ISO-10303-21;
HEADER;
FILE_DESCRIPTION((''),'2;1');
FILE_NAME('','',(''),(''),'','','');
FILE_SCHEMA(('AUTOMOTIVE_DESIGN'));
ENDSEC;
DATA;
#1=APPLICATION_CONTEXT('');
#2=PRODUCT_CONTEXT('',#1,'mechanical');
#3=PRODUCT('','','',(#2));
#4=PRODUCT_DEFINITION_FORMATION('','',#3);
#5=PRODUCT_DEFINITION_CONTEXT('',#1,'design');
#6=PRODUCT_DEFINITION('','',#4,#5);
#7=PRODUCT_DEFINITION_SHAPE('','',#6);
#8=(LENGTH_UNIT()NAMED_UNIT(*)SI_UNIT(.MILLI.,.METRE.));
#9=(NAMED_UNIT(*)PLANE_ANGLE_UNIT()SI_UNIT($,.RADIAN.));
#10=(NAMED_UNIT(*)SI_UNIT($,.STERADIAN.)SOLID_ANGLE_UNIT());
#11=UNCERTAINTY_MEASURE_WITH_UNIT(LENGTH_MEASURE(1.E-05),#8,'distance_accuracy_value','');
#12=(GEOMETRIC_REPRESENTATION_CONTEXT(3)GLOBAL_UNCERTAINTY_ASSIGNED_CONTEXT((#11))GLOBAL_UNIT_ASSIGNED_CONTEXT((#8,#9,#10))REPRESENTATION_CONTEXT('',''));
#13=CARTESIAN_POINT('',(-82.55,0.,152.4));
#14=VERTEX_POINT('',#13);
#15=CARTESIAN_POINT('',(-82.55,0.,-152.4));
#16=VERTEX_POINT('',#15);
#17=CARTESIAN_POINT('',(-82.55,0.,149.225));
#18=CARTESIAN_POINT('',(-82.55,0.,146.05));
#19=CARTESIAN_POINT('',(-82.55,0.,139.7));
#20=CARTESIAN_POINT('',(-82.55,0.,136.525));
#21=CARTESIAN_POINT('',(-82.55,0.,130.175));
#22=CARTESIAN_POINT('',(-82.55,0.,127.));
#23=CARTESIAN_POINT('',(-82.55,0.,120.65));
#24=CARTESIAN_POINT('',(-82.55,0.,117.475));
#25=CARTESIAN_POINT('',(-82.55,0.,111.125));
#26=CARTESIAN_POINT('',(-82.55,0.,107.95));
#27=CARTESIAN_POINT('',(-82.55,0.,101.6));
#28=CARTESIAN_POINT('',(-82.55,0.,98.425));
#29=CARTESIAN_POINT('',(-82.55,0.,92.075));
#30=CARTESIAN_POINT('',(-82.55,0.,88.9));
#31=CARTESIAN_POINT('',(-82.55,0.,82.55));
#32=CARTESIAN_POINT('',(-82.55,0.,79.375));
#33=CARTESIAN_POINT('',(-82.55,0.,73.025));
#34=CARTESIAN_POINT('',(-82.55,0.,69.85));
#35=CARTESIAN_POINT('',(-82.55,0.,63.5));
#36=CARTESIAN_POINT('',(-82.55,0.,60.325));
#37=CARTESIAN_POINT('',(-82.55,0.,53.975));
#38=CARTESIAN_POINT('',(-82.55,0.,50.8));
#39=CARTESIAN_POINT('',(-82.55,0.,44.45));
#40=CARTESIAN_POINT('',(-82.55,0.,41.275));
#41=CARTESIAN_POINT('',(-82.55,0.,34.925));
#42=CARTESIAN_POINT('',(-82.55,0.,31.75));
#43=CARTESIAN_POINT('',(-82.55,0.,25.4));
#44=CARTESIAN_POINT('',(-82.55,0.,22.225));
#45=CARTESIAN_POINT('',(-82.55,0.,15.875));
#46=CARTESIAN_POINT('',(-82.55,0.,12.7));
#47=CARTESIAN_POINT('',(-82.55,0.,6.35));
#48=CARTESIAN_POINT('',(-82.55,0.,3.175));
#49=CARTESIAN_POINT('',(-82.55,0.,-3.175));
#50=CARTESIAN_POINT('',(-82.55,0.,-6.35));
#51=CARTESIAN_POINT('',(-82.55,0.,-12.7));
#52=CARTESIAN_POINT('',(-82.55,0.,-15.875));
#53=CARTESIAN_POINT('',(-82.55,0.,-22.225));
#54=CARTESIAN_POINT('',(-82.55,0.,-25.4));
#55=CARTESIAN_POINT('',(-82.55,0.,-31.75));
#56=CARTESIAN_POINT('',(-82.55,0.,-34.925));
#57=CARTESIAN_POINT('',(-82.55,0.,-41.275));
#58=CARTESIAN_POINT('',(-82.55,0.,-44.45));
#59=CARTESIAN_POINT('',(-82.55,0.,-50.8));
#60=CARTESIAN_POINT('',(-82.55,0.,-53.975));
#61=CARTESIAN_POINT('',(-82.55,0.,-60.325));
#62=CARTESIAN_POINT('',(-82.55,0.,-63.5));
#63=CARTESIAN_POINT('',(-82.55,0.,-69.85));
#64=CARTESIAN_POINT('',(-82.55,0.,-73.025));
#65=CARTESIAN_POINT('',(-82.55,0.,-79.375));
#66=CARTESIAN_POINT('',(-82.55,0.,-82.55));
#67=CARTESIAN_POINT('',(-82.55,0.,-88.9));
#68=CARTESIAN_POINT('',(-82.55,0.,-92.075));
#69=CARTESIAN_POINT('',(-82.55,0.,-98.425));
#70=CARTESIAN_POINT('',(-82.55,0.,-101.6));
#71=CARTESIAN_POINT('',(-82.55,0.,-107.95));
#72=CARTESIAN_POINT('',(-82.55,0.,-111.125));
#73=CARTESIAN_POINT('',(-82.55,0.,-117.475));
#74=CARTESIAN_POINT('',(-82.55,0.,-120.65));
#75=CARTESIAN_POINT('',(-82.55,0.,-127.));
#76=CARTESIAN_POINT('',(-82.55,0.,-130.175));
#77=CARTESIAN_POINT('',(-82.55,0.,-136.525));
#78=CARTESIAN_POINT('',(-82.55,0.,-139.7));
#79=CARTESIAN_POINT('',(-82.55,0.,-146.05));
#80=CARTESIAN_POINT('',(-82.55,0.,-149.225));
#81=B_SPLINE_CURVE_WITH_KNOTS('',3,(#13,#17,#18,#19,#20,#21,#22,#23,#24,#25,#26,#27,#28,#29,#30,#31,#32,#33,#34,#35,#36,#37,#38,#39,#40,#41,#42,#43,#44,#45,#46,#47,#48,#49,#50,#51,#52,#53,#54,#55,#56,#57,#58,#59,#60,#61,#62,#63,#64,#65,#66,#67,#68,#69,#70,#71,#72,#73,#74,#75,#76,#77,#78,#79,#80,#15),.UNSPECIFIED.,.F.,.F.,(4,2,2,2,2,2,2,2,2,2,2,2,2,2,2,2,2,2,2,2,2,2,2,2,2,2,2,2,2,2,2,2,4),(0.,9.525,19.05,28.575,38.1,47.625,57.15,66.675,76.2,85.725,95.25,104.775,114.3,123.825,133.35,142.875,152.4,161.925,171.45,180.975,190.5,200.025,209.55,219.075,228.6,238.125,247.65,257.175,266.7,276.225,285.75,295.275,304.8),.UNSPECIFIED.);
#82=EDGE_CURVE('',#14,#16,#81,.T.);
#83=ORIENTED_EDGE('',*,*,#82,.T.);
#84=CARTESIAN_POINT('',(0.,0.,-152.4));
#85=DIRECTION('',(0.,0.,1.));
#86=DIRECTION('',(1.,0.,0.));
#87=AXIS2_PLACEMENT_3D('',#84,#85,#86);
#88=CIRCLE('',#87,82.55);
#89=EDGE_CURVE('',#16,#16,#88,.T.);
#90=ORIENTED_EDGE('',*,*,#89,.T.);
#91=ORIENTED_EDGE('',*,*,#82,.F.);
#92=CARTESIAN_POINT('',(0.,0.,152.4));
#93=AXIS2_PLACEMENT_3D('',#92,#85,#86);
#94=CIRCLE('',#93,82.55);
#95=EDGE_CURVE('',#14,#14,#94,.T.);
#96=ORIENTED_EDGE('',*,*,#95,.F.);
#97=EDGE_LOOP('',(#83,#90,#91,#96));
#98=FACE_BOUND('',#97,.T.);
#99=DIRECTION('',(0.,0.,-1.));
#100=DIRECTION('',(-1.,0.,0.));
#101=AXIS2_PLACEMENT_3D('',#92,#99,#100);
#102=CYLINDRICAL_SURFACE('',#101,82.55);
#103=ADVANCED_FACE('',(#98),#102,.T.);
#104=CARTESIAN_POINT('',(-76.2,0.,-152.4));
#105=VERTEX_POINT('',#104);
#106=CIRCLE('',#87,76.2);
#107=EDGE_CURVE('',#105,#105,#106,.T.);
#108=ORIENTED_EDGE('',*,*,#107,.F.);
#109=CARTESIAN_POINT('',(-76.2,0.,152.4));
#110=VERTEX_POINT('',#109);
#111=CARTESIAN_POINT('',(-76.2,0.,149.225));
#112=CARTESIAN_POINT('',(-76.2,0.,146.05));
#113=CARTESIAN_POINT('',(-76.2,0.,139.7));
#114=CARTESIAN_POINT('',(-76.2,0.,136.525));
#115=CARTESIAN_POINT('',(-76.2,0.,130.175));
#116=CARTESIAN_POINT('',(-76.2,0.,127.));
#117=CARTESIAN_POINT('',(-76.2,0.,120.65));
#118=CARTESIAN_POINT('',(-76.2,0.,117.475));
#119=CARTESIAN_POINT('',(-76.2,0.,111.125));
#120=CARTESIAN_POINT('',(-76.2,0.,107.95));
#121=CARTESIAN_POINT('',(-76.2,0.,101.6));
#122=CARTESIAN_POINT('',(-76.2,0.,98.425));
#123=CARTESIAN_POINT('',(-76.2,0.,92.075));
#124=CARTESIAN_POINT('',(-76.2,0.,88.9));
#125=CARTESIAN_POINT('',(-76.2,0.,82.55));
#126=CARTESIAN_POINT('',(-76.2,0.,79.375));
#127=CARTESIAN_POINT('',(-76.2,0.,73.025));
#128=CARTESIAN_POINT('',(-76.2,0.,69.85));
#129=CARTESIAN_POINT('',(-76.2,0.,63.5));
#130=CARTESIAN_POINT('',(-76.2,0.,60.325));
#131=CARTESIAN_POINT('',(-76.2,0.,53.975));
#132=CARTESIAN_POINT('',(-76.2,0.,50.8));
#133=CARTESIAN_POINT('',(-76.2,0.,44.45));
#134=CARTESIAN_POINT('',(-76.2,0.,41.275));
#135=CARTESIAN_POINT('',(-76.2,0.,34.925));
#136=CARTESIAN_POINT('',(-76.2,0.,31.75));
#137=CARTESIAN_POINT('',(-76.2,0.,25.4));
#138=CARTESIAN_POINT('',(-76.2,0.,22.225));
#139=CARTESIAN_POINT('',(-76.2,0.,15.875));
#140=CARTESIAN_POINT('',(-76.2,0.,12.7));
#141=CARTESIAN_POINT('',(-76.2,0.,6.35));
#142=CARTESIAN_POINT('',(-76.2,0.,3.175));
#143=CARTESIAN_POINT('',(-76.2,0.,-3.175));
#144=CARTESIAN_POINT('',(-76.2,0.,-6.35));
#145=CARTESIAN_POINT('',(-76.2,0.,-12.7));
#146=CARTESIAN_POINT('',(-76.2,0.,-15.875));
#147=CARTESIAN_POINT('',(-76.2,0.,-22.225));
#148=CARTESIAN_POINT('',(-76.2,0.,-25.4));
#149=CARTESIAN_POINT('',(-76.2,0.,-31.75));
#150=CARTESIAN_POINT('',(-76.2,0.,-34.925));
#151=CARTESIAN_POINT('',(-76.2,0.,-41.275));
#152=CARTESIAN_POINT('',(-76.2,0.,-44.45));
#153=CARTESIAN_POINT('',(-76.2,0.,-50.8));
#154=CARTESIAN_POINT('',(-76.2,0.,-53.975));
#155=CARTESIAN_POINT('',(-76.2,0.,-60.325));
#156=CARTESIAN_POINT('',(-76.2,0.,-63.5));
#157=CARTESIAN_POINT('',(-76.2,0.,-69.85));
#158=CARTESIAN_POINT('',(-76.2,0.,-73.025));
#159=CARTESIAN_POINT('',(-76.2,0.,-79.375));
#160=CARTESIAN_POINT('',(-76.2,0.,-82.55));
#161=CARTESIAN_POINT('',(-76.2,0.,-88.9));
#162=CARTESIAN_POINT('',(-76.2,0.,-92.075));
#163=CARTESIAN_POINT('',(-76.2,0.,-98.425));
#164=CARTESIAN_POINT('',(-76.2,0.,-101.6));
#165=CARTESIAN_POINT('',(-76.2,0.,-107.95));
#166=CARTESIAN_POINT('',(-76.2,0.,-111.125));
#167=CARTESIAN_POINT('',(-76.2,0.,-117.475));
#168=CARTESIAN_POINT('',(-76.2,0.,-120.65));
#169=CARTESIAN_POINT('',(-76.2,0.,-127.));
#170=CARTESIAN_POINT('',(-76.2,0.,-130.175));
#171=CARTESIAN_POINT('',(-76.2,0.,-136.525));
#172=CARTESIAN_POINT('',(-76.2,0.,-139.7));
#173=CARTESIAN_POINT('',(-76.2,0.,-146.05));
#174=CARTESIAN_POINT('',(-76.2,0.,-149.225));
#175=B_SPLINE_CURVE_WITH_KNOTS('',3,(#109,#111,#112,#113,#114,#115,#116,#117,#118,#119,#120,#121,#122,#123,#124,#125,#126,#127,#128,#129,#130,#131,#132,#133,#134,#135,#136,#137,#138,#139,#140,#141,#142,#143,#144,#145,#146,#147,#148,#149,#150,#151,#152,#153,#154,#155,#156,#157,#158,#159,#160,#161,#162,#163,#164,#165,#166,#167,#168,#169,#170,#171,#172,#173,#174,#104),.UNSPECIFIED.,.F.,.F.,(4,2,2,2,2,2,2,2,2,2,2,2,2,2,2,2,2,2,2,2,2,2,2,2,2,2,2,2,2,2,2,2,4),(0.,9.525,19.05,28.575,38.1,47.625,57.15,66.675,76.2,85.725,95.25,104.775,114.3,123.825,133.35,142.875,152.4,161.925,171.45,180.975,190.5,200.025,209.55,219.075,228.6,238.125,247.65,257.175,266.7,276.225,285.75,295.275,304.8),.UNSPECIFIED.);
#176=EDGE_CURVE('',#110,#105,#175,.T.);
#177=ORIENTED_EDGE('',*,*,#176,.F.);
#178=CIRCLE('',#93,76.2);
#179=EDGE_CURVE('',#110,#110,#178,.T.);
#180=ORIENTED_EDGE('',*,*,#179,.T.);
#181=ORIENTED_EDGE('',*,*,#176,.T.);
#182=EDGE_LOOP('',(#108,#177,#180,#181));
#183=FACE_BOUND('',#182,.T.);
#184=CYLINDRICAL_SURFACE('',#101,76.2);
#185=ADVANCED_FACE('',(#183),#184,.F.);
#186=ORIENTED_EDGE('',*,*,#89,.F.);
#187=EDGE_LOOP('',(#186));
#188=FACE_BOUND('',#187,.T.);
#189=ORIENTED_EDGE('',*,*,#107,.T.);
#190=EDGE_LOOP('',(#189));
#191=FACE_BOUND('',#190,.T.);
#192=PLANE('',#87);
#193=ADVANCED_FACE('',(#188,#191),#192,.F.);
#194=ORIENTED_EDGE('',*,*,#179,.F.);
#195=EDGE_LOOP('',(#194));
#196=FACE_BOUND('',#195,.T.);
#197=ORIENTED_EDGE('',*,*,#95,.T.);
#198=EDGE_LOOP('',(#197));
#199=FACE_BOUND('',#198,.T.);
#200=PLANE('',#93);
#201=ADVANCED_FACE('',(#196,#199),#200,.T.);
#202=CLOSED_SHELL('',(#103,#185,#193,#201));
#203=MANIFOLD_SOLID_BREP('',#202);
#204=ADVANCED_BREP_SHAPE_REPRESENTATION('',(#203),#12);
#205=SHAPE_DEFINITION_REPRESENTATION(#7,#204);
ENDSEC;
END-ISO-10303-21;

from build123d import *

# Parameters (mm, degrees)
SKETCH1_R           = 82.55
SKETCH1_R_2         = 76.2
EXTRUDE_THIN1_DEPTH = 152.4


with BuildPart() as part:
    # Sketch1 → Extrude-Thin1 (new, symmetric)
    with BuildSketch(Plane.XY):
        Circle(SKETCH1_R)
        Circle(SKETCH1_R_2, mode=Mode.SUBTRACT)
    extrude(amount=EXTRUDE_THIN1_DEPTH, both=True)


solid = part.part
